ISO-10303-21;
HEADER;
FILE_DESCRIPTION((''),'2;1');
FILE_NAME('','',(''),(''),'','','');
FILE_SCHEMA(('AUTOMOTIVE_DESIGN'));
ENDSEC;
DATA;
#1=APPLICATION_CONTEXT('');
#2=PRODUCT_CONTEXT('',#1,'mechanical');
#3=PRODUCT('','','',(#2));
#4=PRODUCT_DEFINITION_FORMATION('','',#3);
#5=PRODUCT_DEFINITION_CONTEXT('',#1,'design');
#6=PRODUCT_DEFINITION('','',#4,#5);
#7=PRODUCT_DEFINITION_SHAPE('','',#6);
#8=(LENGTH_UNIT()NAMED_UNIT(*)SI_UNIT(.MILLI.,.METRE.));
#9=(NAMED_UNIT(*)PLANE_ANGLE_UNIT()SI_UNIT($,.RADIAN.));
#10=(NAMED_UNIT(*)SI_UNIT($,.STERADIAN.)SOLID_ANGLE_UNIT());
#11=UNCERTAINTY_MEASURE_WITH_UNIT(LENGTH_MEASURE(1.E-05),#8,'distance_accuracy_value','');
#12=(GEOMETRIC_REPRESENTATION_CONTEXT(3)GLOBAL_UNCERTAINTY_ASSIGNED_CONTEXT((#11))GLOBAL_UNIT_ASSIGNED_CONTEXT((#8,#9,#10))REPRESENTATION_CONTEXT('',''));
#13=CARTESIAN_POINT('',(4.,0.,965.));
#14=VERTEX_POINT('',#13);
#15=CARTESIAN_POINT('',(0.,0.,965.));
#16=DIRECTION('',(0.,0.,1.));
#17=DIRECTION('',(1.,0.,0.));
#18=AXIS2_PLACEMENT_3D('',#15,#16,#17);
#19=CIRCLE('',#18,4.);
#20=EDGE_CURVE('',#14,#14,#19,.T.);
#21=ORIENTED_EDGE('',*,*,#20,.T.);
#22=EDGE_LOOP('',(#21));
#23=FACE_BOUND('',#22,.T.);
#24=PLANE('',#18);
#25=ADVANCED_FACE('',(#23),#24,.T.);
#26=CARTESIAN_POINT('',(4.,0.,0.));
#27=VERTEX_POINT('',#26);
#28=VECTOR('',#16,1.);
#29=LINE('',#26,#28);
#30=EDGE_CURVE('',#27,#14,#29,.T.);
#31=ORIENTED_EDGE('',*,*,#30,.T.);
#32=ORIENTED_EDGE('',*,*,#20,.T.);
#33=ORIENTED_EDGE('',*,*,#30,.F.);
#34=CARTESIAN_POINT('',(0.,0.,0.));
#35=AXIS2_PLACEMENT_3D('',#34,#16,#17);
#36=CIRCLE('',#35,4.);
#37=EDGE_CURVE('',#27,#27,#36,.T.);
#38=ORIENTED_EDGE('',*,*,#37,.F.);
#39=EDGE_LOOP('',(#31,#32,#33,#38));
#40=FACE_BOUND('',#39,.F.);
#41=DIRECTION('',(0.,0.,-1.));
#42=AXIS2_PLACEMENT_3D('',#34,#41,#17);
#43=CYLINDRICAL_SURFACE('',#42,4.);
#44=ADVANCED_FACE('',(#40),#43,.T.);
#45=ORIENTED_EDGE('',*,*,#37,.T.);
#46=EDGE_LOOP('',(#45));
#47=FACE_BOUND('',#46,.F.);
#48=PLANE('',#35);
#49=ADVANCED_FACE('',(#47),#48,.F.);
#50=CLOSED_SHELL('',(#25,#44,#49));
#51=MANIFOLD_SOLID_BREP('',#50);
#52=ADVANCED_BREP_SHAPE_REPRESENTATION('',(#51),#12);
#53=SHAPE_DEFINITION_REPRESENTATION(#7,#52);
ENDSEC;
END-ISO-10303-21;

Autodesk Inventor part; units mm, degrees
ref_plane "YZ Plane" through (0, 0, 0) normal (1, 0, 0) x (0, 1, 0)
ref_plane "XZ Plane" through (0, 0, 0) normal (0, 1, 0) x (-1, 0, 0)
ref_plane "XY Plane" through (0, 0, 0) normal (0, 0, 1) x (1, 0, 0)
sketch "Esboço1" plane through (0, 0, 0) normal (0, 0, 1) x (1, 0, 0)
  circle A0 centre (0, 0) radius 4
  dimension "d0" = 8
extrude "Extrusão1" add sketch "Esboço1" along normal blind 965
properties part number "Guia Linear 490mm" material "Aço, carbono"
